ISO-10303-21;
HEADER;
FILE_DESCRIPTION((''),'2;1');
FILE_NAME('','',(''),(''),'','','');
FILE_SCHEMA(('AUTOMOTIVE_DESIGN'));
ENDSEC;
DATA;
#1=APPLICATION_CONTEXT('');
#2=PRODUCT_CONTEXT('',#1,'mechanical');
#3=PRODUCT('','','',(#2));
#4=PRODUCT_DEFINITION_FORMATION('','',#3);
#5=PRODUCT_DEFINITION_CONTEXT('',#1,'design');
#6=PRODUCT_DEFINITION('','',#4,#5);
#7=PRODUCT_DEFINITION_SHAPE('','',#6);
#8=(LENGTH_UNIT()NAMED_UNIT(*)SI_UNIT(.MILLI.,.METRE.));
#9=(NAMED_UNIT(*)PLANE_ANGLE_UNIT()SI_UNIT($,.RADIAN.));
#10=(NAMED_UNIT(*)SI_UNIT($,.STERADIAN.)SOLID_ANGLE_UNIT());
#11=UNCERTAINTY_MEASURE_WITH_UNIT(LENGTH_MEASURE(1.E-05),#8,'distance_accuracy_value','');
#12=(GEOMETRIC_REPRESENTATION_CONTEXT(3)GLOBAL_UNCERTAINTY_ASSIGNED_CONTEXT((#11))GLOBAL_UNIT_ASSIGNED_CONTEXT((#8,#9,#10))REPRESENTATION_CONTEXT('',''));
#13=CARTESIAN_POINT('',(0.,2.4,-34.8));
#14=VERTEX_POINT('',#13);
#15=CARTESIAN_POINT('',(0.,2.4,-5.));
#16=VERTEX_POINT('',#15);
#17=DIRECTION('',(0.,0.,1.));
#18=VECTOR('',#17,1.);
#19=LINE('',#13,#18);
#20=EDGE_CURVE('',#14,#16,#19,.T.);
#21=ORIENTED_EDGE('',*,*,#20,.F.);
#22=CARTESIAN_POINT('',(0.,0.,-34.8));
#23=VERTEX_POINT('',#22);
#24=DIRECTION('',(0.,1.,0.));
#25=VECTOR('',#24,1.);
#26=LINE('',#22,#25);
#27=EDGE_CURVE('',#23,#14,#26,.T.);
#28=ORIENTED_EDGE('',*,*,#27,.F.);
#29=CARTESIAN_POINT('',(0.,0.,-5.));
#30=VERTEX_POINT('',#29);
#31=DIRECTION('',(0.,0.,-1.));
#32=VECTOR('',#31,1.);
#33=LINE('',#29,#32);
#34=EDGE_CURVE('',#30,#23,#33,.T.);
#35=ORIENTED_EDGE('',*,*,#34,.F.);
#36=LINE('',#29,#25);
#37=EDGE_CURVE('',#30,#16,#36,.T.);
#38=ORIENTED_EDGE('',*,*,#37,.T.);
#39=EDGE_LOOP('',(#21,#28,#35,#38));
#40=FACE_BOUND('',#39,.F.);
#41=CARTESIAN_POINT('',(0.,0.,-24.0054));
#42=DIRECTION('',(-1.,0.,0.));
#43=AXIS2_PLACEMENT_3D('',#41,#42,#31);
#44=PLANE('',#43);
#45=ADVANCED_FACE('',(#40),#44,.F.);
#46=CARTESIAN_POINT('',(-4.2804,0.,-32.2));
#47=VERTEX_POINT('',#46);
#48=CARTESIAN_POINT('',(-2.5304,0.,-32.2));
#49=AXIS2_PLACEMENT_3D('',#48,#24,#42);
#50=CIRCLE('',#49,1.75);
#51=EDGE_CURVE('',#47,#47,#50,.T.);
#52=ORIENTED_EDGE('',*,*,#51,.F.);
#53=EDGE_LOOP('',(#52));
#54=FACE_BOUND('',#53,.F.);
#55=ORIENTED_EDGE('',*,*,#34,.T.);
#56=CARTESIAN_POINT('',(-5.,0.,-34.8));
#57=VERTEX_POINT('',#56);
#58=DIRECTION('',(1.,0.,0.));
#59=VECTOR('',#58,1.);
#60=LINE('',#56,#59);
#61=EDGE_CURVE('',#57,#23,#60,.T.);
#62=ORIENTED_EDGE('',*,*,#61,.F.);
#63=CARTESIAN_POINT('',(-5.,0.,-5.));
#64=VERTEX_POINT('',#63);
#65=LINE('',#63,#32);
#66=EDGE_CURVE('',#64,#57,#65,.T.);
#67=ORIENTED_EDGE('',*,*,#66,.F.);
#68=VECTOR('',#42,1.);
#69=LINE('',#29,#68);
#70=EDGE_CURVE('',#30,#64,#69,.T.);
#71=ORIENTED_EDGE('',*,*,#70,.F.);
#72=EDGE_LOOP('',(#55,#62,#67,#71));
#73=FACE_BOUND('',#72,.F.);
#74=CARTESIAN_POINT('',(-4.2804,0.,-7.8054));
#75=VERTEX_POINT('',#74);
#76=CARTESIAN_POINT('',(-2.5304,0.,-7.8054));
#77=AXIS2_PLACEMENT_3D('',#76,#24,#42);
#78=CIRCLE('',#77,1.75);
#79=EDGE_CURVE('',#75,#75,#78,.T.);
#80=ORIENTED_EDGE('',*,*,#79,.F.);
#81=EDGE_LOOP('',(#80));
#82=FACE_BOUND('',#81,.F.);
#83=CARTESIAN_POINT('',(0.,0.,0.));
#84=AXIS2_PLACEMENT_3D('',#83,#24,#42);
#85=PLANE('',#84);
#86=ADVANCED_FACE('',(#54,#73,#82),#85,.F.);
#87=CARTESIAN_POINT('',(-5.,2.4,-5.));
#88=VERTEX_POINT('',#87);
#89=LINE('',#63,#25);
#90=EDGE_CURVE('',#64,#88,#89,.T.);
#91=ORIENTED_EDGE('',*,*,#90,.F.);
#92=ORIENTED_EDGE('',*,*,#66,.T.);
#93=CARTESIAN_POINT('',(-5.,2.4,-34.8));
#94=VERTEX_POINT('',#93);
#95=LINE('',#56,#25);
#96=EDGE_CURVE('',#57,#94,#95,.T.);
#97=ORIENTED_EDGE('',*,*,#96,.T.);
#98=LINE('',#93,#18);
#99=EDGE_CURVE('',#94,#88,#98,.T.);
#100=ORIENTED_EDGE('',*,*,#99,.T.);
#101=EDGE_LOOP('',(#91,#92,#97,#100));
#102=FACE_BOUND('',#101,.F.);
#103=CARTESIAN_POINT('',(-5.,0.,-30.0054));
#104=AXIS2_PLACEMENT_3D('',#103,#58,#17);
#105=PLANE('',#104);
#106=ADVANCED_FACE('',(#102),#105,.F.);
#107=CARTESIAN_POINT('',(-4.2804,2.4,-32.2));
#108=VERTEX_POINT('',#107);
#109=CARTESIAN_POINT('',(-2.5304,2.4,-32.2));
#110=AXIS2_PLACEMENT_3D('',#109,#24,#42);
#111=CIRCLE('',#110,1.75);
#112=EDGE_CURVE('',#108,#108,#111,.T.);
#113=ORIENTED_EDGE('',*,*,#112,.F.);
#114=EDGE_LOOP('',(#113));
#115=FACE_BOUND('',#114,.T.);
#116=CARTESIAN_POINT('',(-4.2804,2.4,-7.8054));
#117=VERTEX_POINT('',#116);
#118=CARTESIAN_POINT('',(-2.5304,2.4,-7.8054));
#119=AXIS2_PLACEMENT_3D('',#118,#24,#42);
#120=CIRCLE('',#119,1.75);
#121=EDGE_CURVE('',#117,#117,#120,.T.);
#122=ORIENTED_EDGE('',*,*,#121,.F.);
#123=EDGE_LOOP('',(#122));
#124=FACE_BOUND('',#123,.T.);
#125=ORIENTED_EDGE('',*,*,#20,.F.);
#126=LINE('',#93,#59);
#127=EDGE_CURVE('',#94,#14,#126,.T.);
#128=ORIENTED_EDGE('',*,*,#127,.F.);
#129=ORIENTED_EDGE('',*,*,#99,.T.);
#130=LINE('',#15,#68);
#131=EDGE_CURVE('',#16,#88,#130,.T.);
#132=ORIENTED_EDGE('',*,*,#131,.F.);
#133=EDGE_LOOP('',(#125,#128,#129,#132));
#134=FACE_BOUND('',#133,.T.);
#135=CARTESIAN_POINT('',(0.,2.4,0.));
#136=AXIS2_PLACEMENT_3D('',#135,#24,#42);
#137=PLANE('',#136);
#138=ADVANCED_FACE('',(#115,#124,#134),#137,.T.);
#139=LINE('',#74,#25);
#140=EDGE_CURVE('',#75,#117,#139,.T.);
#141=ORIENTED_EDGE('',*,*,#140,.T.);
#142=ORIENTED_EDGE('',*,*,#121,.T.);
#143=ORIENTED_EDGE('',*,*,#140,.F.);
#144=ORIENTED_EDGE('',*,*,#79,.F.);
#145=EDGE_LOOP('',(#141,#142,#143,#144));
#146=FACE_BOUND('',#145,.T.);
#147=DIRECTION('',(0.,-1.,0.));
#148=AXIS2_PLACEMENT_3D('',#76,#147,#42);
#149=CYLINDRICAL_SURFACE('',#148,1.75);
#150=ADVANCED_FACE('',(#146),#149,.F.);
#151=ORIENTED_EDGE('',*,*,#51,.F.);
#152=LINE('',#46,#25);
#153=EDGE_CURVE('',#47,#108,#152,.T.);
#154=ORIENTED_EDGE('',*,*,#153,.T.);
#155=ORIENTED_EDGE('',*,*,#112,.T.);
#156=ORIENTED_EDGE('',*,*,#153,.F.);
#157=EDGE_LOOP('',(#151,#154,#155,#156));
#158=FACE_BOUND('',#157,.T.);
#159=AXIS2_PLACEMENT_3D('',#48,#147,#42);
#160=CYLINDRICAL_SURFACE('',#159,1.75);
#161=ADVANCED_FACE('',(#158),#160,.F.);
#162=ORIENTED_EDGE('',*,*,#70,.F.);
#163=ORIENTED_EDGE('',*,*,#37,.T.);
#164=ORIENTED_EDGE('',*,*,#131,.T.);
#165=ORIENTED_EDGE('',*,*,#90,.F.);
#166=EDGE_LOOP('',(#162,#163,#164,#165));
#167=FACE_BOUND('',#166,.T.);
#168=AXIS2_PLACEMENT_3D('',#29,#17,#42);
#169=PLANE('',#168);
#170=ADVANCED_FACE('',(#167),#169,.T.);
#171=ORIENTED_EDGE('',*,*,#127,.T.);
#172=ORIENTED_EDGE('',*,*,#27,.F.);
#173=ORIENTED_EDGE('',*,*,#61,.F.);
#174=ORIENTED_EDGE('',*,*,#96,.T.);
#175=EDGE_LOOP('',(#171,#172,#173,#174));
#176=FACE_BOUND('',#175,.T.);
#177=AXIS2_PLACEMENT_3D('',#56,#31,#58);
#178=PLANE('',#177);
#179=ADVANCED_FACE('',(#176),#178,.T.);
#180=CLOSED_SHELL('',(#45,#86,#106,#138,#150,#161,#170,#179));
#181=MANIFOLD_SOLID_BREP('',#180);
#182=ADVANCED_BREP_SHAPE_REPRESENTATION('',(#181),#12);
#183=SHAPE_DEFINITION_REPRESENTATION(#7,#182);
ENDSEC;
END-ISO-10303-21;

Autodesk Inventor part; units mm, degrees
ref_plane "YZ Plane" through (0, 0, 0) normal (1, 0, 0) x (0, 1, 0)
ref_plane "XZ Plane" through (0, 0, 0) normal (0, 1, 0) x (-1, 0, 0)
ref_plane "XY Plane" through (0, 0, 0) normal (0, 0, 1) x (1, 0, 0)
sketch "Эскиз2" plane through (0, 0, 0) normal (0, 1, 0) x (-1, 0, 0)
  circle A0 centre (2.5304, -32.2) radius 1.75
  line L0 (0, -30.0054) -> (5, -30.0054)
  line L1 (0, -34.8) -> (0, -30.0054)
  line L2 (5, -34.8) -> (0, -34.8)
  line L3 (5, -30.0054) -> (5, -34.8)
  line L4 (0, -16) -> (5, -16)
  line L5 (0, -24.0054) -> (0, -16)
  line L6 (5, -24.0054) -> (0, -24.0054)
  line L7 (5, -16) -> (5, -24.0054)
  circle A1 centre (2.5304, -7.8054) radius 1.75
  line L8 (5, -10) -> (0, -10)
  line L9 (5, -5) -> (5, -10)
  line L10 (0, -5) -> (5, -5)
  line L11 (0, -10) -> (0, -5)
  line L12 (5, -5) -> (0, -5)
  line L13 (0, -5) -> (0, -34.8)
  line L14 (0, -34.8) -> (5, -34.8)
  line L15 (5, -34.8) -> (5, -5)
  point P0 (0, 0)
  point P1 (5, 0)
extrude "Выдавливание2" add sketch "Эскиз2" along normal blind 2.4
properties part number "КВ33.044.406 - Прижим ремня" material "Пластик АБС"
